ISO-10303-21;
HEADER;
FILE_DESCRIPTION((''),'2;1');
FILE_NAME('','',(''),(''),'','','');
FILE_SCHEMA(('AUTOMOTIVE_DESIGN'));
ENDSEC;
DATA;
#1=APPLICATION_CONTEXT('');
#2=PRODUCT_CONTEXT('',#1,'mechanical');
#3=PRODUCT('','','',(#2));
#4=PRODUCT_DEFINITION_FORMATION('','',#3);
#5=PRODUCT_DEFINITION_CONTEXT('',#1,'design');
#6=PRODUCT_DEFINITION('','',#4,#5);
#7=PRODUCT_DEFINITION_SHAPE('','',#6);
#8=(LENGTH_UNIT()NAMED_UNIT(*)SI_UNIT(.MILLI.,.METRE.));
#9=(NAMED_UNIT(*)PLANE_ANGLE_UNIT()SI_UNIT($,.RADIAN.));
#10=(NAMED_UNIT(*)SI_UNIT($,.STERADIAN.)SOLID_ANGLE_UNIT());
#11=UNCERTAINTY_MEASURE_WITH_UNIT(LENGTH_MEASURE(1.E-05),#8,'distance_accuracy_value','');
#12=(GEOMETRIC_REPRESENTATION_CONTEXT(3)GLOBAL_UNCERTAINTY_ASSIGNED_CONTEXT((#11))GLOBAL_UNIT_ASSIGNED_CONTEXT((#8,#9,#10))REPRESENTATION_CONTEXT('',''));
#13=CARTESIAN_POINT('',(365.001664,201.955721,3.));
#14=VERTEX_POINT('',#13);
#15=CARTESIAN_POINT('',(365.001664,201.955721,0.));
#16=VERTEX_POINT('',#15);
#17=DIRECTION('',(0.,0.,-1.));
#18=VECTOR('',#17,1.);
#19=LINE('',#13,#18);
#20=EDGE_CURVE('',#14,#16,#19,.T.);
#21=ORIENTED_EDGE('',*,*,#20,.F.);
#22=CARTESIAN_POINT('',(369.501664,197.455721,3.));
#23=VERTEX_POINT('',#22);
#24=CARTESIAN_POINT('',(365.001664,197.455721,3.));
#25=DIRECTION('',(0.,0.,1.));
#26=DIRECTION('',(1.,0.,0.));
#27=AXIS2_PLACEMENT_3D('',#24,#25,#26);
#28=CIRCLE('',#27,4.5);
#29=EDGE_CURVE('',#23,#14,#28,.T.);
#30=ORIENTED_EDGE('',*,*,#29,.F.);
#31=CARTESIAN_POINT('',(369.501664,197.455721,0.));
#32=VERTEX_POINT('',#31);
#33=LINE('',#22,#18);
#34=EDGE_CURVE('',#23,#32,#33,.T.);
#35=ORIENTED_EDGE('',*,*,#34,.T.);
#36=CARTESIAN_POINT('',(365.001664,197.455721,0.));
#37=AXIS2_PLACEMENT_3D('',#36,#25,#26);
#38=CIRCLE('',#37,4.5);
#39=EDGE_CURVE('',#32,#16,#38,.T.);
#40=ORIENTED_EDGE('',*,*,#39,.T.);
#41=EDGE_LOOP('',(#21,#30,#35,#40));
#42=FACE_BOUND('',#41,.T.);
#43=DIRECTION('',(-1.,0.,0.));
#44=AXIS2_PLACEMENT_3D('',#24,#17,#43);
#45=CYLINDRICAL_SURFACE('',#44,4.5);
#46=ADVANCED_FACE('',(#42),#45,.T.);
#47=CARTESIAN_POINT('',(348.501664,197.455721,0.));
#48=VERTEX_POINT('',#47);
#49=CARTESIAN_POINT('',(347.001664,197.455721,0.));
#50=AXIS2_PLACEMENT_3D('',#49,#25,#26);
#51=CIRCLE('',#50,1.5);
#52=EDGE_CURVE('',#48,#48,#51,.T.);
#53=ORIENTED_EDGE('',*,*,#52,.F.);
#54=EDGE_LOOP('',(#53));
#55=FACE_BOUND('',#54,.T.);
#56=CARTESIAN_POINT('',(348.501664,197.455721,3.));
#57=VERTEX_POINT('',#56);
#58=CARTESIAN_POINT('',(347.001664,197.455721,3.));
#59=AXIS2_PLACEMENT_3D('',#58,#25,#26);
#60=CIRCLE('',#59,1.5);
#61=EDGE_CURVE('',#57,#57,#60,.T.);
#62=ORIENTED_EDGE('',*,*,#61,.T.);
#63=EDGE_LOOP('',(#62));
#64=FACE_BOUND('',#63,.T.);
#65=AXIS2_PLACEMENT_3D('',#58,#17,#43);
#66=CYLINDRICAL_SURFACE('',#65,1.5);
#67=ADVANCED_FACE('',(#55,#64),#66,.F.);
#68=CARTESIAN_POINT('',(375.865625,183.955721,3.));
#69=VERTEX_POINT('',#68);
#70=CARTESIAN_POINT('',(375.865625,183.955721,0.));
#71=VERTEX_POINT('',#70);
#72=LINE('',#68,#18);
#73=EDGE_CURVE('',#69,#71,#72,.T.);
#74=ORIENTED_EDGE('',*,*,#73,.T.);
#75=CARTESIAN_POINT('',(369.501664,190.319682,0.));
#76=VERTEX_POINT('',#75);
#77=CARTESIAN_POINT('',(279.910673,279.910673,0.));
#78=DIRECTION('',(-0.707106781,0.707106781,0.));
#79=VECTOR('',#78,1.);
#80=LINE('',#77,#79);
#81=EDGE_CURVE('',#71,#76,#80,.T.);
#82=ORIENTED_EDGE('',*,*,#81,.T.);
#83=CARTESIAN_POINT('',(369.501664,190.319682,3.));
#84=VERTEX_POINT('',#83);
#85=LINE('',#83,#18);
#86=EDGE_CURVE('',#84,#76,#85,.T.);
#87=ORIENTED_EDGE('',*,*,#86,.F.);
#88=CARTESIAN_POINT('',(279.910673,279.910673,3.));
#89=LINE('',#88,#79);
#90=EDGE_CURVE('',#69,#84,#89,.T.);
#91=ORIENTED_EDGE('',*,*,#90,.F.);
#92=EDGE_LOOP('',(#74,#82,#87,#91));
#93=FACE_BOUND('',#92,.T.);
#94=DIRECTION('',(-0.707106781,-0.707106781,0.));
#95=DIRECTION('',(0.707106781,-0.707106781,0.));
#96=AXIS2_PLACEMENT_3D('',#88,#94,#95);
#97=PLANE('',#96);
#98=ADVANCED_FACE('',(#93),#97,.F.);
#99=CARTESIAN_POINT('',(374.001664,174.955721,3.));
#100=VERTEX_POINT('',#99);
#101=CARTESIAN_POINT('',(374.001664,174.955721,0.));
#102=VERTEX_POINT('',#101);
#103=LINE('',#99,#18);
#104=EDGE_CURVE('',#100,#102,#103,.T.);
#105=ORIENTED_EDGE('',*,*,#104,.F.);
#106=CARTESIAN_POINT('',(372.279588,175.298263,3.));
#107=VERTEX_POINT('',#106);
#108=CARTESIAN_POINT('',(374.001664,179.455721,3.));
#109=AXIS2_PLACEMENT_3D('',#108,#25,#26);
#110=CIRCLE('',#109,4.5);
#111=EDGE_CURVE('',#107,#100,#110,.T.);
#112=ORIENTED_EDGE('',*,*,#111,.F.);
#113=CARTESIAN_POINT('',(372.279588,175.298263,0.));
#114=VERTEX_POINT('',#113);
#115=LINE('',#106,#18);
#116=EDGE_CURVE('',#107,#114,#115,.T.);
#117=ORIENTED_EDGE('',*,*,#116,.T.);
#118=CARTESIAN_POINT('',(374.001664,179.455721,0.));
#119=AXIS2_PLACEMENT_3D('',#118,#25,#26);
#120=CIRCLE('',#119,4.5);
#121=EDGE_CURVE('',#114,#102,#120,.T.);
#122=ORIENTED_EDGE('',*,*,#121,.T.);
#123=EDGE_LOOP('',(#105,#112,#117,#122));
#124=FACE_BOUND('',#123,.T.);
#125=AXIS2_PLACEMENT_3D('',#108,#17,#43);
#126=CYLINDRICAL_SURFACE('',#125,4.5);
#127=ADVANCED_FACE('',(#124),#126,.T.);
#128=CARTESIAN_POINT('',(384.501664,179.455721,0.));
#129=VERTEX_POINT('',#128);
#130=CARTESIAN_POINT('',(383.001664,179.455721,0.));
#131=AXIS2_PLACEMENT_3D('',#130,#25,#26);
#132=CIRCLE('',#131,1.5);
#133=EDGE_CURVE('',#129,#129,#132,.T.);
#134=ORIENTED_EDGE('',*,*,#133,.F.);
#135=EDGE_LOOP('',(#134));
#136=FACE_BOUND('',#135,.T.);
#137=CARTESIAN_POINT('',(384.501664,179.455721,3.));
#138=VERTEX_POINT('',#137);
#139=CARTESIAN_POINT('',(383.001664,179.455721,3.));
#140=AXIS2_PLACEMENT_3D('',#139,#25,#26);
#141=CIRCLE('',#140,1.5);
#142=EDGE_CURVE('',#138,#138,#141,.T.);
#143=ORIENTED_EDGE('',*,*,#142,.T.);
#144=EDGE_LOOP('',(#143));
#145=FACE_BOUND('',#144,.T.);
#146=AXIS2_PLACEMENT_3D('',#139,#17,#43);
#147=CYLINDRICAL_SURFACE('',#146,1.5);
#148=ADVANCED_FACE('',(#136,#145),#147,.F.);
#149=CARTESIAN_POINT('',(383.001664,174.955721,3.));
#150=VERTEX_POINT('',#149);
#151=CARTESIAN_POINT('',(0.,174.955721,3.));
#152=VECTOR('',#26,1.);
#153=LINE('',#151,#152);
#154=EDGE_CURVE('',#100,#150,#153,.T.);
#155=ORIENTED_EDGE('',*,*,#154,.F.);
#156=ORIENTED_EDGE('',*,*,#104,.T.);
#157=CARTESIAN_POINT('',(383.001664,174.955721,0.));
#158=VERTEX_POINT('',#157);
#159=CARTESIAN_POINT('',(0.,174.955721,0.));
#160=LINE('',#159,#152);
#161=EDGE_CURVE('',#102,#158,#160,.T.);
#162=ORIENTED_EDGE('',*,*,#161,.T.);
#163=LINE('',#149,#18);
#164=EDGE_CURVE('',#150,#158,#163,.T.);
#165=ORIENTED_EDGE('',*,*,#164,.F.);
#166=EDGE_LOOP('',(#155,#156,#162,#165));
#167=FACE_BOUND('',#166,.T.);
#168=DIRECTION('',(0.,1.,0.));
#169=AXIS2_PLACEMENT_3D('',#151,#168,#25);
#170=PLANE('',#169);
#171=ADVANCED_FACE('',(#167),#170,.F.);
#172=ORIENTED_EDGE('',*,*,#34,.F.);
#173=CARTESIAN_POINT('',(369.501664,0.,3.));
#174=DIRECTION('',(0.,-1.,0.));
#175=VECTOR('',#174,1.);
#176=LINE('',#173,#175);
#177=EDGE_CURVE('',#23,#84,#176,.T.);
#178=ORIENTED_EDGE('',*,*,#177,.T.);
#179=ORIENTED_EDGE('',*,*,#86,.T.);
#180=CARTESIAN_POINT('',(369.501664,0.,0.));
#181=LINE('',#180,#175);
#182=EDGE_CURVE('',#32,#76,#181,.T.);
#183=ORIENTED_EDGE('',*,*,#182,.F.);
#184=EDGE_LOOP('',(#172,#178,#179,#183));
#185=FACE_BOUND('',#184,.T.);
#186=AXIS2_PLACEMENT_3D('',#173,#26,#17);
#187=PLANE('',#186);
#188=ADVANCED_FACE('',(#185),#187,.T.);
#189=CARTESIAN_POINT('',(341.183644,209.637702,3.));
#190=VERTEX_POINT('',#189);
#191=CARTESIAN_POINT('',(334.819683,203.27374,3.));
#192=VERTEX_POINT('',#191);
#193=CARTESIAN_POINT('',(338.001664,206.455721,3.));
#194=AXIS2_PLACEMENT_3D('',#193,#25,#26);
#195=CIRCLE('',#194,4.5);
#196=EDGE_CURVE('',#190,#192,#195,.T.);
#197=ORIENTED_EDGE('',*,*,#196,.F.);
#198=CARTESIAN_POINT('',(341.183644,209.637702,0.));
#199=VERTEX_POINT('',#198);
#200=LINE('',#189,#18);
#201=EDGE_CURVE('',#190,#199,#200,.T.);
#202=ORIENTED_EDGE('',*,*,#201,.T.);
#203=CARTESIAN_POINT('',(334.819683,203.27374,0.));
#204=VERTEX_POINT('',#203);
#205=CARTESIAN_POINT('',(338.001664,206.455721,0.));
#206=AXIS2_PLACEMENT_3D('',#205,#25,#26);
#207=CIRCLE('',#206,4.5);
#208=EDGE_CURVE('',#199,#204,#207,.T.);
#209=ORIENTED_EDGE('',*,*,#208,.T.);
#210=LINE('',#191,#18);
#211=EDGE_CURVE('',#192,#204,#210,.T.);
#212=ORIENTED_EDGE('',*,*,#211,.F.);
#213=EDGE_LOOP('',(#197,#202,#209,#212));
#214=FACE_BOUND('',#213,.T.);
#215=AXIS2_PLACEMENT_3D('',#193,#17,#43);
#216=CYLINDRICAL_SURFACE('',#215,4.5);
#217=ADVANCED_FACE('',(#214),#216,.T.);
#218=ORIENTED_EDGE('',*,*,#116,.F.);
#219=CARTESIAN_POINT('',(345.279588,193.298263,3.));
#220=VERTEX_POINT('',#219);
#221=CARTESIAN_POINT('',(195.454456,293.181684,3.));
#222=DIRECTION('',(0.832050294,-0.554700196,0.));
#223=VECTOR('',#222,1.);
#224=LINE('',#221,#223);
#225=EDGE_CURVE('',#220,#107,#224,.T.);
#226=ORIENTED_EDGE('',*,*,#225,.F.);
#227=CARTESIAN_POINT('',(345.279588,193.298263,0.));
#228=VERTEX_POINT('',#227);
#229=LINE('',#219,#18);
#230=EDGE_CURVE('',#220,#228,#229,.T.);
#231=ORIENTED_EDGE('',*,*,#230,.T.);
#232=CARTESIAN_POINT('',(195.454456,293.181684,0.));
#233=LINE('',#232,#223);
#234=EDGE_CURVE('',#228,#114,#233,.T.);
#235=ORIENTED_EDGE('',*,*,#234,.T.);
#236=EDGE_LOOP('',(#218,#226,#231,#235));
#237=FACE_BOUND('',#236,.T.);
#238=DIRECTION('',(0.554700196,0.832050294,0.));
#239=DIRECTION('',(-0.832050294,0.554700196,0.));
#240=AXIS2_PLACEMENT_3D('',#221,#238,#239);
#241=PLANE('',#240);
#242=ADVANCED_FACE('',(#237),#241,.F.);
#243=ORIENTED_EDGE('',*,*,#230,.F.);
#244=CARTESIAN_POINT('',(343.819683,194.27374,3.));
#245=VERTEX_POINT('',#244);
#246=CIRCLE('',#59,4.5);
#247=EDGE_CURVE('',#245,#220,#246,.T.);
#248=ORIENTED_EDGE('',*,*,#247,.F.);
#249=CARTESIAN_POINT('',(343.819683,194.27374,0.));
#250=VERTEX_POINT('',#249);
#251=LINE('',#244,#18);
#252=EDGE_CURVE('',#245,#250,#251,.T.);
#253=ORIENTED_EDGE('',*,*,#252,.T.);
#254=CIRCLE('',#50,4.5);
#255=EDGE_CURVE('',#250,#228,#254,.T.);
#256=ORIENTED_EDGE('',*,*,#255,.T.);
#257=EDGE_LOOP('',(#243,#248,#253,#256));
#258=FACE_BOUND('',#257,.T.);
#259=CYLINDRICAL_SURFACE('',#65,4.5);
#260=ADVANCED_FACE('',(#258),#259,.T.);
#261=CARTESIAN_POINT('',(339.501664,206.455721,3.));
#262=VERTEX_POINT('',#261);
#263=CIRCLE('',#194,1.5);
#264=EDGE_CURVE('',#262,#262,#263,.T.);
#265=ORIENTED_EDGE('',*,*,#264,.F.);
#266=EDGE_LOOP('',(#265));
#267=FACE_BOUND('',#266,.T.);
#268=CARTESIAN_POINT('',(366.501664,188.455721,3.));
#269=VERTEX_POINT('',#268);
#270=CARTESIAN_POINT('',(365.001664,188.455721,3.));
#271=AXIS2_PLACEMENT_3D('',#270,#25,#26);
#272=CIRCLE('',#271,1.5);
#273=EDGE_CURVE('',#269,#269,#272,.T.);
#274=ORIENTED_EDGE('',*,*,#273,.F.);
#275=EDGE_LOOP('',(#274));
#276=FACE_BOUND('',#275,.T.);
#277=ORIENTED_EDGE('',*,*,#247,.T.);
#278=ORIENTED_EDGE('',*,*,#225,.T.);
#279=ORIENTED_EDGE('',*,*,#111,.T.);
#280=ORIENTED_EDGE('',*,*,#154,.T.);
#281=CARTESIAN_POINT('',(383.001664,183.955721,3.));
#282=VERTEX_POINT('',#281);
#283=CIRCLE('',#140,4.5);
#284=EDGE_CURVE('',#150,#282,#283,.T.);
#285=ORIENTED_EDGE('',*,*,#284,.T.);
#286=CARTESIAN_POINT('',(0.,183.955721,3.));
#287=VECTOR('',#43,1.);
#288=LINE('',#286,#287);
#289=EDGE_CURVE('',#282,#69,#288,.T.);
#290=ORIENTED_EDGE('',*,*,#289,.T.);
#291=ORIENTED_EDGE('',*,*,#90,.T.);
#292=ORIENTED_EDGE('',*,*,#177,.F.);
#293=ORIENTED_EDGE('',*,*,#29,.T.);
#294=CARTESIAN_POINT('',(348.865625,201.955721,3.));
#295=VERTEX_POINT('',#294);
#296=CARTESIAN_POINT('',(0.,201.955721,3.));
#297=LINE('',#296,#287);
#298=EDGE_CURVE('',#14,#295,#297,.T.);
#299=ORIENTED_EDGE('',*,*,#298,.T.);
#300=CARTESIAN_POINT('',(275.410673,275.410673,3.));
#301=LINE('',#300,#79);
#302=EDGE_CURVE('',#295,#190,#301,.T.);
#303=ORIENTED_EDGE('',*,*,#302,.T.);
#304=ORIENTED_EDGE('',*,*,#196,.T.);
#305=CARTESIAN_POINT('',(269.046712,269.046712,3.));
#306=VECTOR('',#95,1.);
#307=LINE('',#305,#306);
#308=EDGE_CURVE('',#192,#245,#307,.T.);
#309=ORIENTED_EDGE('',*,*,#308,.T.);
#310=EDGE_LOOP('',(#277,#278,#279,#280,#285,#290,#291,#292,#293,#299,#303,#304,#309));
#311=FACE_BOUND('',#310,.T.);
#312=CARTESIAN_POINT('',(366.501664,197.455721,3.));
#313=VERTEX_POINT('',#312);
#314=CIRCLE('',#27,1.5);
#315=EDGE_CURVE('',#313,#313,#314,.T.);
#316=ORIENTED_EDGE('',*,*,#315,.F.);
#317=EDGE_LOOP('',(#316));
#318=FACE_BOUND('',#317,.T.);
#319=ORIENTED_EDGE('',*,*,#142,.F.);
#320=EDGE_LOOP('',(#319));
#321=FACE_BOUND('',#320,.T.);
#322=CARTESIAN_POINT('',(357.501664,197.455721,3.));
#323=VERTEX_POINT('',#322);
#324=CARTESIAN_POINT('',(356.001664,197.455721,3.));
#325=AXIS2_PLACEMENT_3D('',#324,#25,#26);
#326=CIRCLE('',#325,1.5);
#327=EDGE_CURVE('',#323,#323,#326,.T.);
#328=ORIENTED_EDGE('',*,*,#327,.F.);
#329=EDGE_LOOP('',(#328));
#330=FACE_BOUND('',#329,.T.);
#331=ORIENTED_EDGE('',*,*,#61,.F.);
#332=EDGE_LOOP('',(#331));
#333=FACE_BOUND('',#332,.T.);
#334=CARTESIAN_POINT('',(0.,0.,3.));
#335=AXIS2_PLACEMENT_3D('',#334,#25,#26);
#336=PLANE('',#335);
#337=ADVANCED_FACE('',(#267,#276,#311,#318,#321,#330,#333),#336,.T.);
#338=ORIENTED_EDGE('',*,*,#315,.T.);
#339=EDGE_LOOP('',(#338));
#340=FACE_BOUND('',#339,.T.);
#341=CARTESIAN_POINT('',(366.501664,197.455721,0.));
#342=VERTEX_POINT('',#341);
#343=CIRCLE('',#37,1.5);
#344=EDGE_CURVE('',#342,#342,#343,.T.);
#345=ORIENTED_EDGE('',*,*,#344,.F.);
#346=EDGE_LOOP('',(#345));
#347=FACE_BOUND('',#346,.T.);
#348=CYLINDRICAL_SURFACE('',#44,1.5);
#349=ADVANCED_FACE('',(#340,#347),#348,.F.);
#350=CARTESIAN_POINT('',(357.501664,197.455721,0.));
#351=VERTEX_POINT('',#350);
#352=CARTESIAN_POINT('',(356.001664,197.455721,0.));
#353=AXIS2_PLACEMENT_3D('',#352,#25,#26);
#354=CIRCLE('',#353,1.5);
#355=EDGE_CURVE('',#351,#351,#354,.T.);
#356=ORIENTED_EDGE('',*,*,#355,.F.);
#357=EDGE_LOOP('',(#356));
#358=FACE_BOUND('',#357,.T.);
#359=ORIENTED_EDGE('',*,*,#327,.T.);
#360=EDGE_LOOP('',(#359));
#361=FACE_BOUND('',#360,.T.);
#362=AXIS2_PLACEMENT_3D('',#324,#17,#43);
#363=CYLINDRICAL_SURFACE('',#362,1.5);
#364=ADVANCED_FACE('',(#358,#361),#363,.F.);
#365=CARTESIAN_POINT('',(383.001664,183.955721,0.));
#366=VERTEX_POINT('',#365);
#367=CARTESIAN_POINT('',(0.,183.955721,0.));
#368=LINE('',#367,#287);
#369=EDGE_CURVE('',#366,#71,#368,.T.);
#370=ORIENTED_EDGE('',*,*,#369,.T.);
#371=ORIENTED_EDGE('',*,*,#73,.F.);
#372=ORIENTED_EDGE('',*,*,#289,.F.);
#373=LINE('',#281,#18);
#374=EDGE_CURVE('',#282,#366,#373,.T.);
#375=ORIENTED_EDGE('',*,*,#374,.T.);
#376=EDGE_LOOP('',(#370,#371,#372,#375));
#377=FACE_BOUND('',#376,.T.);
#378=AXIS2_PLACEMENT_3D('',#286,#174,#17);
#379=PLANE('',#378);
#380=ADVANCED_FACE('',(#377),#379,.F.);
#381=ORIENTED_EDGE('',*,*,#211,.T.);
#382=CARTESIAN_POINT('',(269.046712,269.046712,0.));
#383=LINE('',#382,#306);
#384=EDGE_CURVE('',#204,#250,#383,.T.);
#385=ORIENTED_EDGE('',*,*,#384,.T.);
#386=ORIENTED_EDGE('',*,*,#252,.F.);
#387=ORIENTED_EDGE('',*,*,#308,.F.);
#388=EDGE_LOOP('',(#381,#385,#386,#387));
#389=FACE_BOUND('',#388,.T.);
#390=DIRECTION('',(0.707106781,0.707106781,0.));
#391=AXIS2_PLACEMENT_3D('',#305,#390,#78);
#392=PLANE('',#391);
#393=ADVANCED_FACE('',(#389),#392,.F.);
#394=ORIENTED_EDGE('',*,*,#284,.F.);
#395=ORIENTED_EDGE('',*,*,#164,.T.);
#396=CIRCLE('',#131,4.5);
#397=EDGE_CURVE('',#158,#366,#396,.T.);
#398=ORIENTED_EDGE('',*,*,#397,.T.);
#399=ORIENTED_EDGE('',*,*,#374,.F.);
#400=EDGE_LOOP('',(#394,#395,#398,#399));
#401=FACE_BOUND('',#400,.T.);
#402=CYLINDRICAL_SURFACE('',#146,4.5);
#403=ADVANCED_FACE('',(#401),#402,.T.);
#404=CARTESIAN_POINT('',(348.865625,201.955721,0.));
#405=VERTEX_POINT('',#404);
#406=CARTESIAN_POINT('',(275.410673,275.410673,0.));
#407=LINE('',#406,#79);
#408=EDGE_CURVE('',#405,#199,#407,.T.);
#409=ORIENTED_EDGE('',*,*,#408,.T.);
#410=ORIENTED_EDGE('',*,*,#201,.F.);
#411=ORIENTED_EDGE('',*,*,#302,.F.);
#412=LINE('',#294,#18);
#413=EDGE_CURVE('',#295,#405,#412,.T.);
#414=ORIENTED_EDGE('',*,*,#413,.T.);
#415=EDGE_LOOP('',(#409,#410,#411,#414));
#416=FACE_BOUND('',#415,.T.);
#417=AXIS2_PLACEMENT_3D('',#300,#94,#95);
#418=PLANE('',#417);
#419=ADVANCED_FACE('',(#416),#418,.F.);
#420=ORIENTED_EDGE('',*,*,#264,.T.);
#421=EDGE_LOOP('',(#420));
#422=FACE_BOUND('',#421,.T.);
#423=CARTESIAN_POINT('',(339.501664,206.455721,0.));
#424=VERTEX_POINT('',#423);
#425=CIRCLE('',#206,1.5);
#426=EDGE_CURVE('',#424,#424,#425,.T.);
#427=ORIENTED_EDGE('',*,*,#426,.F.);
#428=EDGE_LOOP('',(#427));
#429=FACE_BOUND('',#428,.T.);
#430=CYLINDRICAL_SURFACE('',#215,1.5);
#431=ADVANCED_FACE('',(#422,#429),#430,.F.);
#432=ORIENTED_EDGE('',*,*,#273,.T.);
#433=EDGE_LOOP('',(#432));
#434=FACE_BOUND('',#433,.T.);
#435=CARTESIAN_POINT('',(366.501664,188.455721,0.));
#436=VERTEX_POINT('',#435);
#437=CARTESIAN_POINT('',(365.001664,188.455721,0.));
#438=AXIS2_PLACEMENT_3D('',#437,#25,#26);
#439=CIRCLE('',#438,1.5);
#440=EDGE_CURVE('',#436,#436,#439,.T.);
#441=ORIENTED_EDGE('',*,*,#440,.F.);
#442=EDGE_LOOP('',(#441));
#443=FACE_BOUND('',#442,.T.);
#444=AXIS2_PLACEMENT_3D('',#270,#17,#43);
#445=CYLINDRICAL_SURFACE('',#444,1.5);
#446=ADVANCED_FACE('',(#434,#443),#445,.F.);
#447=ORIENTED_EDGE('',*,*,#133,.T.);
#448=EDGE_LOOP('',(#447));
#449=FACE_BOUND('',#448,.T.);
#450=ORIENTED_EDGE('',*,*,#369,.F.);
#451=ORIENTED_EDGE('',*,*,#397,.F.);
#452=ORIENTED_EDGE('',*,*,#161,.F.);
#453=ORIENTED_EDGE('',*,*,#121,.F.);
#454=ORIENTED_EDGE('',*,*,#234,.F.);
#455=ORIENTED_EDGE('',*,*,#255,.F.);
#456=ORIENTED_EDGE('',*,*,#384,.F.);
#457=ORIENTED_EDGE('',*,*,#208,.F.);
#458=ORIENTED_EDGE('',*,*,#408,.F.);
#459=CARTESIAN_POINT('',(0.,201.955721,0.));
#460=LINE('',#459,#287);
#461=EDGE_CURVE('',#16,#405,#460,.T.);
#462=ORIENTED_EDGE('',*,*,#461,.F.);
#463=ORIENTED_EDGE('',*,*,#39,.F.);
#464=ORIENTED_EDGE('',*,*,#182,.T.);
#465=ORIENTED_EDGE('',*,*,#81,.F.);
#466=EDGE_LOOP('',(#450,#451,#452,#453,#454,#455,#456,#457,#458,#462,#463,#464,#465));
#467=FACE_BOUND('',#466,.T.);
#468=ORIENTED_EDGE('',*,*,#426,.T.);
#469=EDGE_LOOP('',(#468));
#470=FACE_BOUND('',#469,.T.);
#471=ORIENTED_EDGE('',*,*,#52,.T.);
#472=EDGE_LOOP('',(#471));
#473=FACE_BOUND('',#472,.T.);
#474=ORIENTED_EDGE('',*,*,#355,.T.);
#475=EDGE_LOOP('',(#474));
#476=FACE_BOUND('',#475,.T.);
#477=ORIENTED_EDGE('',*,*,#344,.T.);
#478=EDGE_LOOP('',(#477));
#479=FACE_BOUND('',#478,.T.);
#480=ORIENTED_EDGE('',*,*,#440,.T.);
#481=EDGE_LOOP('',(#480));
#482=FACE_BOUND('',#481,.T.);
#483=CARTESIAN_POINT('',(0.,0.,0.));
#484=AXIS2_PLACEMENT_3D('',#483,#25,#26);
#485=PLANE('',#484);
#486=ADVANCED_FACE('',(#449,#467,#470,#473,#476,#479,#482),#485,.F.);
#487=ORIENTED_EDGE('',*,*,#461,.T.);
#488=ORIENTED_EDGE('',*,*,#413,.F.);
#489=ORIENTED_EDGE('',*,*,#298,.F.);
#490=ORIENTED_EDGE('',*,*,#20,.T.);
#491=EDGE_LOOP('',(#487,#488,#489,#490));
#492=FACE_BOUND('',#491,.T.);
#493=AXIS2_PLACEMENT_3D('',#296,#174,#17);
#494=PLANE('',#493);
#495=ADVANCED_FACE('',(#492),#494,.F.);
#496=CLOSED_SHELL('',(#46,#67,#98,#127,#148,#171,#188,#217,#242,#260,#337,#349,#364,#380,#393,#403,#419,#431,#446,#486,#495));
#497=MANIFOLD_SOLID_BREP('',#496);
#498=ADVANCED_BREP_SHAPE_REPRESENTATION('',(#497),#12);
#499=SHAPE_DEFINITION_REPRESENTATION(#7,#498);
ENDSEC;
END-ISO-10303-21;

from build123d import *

# Parameters (mm, degrees)
MODEL_R                 = 1.5
SALIENTE_EXTRUIR1_DEPTH = 3


with BuildPart() as part:
    # Model → Saliente-Extruir1 (new body)
    with BuildSketch(Plane.XY):
        with BuildLine():
            Line((365.001663828, 201.955720999), (348.865624859, 201.955720999))
            Line((348.865624859, 201.955720999), (341.183644344, 209.637701515))
            ThreePointArc((341.183644344, 209.637701515), (334.819683313, 209.637701515), (334.819683313, 203.273740484))
            Line((334.819683313, 203.273740484), (343.819683313, 194.273740484))
            ThreePointArc((343.819683313, 194.273740484), (344.50159778, 193.714107744), (345.279588383, 193.298263103))
            Line((345.279588383, 193.298263103), (370.826347096, 176.267090628))
            Line((370.826347096, 176.267090628), (372.279588383, 175.298263103))
            ThreePointArc((372.279588383, 175.298263103), (373.123757379, 175.042187237), (374.001663828, 174.955720999))
            Line((374.001663828, 174.955720999), (383.001663828, 174.955720999))
            ThreePointArc((383.001663828, 174.955720999), (387.501663828, 179.455720999), (383.001663828, 183.955720999))
            Line((383.001663828, 183.955720999), (375.865624859, 183.955720999))
            Line((375.865624859, 183.955720999), (369.501663828, 190.31968203))
            Line((369.501663828, 190.31968203), (369.501663828, 197.455720999))
            ThreePointArc((369.501663828, 197.455720999), (368.183644344, 200.637701515), (365.001663828, 201.955720999))
        make_face()
        with Locations((383.001663828, 179.455720999)):
            Circle(MODEL_R, mode=Mode.SUBTRACT)
        with Locations((365.001663828, 188.455720999)):
            Circle(MODEL_R, mode=Mode.SUBTRACT)
        with Locations((347.001663829, 197.455720999)):
            Circle(MODEL_R, mode=Mode.SUBTRACT)
        with Locations((356.001663828, 197.455720999)):
            Circle(MODEL_R, mode=Mode.SUBTRACT)
        with Locations((338.001663828, 206.455720999)):
            Circle(MODEL_R, mode=Mode.SUBTRACT)
        with Locations((365.001663828, 197.455720999)):
            Circle(MODEL_R, mode=Mode.SUBTRACT)
    extrude(amount=SALIENTE_EXTRUIR1_DEPTH)


solid = part.part
